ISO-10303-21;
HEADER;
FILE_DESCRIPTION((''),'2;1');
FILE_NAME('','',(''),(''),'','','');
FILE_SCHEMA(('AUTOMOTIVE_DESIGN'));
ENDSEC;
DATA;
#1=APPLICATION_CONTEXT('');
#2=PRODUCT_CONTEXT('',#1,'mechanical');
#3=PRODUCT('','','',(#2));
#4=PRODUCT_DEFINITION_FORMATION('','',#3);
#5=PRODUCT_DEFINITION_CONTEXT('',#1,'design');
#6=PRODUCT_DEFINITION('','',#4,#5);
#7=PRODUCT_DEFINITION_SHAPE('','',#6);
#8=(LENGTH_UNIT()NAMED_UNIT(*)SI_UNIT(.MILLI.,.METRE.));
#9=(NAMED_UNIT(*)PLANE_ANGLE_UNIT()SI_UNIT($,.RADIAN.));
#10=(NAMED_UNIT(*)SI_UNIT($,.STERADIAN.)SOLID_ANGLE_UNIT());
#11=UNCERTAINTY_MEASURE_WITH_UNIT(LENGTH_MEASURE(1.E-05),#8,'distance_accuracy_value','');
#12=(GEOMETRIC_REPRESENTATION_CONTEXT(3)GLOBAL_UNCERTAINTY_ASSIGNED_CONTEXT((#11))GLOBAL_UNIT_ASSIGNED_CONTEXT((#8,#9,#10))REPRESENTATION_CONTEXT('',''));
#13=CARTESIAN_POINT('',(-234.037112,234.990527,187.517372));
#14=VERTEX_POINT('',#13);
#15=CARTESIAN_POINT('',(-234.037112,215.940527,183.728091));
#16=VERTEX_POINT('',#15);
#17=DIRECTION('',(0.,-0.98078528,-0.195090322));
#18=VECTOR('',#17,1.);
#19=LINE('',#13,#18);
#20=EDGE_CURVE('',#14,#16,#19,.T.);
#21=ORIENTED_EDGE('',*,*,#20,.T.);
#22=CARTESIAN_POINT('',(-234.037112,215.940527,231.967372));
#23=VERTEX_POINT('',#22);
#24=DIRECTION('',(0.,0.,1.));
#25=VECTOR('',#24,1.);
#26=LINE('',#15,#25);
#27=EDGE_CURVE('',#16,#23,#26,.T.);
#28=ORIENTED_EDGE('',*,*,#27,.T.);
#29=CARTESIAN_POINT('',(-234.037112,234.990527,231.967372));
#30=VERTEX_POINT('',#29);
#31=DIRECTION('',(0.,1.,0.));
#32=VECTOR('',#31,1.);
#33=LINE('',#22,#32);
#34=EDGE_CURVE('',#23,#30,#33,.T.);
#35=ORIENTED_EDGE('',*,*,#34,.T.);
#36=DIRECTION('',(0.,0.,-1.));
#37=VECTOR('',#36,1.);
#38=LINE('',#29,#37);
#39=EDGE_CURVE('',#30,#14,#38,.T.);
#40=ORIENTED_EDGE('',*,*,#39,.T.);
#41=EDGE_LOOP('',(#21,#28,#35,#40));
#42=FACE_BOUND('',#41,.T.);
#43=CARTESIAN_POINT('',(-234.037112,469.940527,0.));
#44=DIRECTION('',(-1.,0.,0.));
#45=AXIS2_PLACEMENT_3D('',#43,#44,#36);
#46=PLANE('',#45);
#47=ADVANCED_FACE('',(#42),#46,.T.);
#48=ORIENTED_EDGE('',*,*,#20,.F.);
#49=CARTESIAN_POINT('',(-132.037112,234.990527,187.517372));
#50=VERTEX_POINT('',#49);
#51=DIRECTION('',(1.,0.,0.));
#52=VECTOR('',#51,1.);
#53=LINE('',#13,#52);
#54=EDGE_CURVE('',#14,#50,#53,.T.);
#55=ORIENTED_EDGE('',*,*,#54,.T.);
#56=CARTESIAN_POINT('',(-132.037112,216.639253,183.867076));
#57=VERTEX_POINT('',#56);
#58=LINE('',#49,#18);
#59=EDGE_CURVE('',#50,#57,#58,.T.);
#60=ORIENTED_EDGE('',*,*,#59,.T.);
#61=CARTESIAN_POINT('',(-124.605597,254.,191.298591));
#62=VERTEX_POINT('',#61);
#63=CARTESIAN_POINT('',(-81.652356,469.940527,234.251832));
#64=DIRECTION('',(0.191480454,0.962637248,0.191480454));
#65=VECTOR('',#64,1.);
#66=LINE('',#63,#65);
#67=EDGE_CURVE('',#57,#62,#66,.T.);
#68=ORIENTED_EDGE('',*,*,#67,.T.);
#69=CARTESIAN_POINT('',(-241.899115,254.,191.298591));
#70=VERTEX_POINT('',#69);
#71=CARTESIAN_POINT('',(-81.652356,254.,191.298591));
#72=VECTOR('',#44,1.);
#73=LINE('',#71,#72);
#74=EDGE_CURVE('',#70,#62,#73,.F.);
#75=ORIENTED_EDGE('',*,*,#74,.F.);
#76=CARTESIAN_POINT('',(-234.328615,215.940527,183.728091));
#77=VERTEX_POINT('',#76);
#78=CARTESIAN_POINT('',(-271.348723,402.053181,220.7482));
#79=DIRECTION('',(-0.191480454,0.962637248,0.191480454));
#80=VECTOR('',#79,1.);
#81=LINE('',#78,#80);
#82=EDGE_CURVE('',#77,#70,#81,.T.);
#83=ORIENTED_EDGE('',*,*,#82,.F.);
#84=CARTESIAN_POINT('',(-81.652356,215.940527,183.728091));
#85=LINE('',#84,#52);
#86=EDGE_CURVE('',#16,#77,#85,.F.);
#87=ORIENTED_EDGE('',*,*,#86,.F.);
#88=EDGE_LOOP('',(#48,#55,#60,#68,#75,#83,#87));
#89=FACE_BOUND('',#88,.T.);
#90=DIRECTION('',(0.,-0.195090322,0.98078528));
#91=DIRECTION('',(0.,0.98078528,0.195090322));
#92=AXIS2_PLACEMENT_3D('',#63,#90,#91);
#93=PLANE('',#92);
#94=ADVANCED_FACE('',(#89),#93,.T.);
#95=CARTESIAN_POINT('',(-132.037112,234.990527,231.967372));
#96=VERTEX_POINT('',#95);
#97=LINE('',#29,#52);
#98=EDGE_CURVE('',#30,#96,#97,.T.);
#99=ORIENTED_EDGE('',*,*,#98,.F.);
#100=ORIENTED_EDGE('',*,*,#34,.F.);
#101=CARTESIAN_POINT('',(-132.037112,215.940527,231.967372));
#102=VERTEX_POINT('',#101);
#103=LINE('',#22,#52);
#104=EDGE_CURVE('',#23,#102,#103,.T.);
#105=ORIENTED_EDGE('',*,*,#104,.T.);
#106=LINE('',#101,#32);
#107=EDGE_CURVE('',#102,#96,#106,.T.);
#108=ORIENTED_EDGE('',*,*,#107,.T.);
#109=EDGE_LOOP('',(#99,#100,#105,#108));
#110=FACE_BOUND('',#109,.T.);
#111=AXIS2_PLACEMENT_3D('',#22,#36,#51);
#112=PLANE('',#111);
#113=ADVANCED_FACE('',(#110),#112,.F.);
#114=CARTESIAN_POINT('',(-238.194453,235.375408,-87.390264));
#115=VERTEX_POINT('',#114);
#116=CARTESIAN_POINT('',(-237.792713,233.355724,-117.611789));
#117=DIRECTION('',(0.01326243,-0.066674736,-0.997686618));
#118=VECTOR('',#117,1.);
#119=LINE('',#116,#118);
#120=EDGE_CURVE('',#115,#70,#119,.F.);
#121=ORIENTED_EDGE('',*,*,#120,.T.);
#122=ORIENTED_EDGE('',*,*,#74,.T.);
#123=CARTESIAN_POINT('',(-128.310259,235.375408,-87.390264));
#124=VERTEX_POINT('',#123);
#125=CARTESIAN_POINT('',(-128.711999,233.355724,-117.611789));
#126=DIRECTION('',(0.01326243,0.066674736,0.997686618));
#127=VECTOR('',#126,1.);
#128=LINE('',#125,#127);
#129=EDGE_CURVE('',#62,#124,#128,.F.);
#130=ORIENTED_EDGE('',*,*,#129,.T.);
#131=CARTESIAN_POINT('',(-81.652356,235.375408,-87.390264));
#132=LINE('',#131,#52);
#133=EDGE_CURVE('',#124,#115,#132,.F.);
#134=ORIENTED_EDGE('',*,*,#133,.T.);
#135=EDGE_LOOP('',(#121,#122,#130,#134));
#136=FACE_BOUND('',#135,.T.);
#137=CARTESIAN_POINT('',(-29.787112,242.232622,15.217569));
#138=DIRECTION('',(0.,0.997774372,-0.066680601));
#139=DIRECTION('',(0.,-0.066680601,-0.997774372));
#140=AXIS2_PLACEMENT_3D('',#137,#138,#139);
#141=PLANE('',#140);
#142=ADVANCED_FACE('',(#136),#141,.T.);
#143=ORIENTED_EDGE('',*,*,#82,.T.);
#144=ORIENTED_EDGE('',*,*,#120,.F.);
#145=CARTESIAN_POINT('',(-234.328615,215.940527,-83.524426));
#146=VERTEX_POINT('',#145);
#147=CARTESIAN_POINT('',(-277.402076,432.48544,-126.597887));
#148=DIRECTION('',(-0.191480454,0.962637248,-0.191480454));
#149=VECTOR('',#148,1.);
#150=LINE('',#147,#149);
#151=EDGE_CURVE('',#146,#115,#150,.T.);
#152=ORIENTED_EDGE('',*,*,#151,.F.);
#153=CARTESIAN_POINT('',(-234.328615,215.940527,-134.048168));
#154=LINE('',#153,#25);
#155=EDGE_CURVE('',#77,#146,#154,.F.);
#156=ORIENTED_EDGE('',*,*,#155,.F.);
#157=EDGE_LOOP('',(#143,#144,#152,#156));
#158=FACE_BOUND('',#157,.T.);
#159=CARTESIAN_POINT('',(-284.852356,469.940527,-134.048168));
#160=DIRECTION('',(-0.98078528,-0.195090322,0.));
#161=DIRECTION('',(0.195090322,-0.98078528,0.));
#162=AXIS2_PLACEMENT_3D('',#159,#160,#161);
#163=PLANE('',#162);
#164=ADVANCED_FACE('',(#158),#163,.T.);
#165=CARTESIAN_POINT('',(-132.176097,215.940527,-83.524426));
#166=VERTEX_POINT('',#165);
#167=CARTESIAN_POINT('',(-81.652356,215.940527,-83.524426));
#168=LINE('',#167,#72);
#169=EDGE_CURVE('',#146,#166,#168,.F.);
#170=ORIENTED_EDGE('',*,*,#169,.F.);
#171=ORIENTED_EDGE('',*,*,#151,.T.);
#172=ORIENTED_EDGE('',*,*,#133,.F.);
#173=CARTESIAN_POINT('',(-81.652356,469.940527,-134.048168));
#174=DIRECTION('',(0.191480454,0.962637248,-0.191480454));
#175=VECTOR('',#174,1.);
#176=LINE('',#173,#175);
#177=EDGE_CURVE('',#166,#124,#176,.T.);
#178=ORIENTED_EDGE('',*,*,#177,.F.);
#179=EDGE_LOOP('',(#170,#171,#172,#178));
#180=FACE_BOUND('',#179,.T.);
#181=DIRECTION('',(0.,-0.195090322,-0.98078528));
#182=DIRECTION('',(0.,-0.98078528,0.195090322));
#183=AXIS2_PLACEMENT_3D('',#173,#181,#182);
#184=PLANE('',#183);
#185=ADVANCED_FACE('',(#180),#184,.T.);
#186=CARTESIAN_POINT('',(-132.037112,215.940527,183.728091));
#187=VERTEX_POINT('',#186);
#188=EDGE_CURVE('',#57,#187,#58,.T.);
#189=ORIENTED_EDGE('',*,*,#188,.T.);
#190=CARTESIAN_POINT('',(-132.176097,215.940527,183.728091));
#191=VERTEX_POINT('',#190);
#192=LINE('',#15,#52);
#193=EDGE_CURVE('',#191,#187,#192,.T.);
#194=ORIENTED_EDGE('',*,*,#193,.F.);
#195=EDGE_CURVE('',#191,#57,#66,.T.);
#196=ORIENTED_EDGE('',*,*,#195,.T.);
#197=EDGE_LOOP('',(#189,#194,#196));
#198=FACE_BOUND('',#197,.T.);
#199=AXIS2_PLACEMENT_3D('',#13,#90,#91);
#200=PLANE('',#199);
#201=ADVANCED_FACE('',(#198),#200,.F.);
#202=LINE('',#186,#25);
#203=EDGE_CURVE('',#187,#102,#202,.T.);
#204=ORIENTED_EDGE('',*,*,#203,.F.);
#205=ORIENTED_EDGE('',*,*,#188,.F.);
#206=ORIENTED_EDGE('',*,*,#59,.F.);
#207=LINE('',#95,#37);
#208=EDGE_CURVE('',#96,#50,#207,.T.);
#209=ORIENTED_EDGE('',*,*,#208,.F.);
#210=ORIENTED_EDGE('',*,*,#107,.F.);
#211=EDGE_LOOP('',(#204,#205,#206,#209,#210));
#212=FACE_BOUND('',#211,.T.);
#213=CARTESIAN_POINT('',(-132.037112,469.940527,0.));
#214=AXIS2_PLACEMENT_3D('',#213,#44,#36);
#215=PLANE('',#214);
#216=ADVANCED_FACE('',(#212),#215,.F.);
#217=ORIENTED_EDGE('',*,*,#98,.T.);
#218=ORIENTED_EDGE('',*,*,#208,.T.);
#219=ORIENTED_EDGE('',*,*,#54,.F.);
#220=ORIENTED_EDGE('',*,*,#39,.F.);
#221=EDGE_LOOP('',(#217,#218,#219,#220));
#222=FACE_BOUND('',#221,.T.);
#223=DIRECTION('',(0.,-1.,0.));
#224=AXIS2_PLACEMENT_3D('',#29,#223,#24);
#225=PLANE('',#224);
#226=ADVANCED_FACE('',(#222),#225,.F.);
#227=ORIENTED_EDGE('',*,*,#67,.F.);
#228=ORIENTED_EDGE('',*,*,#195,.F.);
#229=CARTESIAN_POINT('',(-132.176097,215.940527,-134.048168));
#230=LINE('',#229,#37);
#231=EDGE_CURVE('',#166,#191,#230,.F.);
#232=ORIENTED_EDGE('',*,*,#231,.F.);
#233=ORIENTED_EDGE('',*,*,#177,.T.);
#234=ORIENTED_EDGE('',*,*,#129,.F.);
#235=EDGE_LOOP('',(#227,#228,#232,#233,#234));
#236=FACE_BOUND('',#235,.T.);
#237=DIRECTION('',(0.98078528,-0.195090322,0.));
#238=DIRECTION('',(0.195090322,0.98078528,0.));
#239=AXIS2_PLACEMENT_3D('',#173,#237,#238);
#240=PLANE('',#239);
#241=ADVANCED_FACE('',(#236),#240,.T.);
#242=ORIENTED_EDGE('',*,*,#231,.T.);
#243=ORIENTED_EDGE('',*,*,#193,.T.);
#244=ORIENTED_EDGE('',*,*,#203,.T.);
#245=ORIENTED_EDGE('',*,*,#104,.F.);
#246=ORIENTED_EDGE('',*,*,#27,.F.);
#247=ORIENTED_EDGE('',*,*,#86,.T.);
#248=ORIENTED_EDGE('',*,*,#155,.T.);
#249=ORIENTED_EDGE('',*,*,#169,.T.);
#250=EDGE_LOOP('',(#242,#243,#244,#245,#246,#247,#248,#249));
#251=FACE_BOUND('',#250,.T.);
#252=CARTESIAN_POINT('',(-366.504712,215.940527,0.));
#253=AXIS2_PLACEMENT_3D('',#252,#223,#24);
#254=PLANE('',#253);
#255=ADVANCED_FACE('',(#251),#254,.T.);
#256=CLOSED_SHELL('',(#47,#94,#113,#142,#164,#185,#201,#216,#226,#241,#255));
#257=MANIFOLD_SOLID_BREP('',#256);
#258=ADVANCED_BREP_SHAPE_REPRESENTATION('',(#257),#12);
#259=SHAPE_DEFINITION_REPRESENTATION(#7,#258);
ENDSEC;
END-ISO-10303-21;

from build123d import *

# Parameters (mm, degrees)
SKETCH1_W             = 203.2
SKETCH1_H             = 368.3
BOSS_EXTRUDE4_DEPTH   = 254
BOSS_EXTRUDE4_TAPER   = 11.25
CUT_EXTRUDE1_DEPTH    = 254
BOSS_EXTRUDE5_START   = -151.75
BOSS_EXTRUDE5_DEPTH   = 102
BODY_MOVE_COPY1_ANGLE = 180


with BuildPart() as part:
    # Sketch1 → Boss-Extrude4 (new body)
    with BuildSketch(Plane(origin=(0, 0, 0), x_dir=(1, 0, 0), z_dir=(0, 1, 0))):
        with Locations((-183.252356021, -50.101832461)):
            Rectangle(SKETCH1_W, SKETCH1_H)
    extrude(amount=BOSS_EXTRUDE4_DEPTH, taper=BOSS_EXTRUDE4_TAPER)

    # Sketch2 → Cut-Extrude1 (cut)
    with BuildSketch(Plane(origin=(-82.7176, 0, 0), x_dir=(0, 0, -1), z_dir=(1, 0, 0))):
        Polygon((-234.106807468, 0), (147.485457697, 0), (93.149429588, 234.95), (-191.90501696, 215.9), align=None)
    extrude(amount=-CUT_EXTRUDE1_DEPTH, mode=Mode.SUBTRACT)


with BuildPart() as cut_extrude1_kept_piece:
    # of the separate pieces the step leaves, the one the design keeps (cut_extrude1_pieces_kept)
    add(part.part.solids().sort_by_distance((-238.194452935, 234.565118806, -87.390264453))[0])

    # Sketch3 → Boss-Extrude5 (add)
    with BuildSketch(Plane(origin=(-82.7176, 0, 0), x_dir=(0, 0, -1), z_dir=(1, 0, 0)).offset(BOSS_EXTRUDE5_START)):
        Polygon((-183.728091146, 254), (-231.967371745, 254), (-231.967371745, 234.95), (-187.517371745, 234.95), align=None)
    extrude(amount=BOSS_EXTRUDE5_DEPTH)


with BuildPart() as cut_extrude1_kept_piece_1:
    # Body-Move/Copy1: moved
    add(cut_extrude1_kept_piece.part.rotate(Axis((-183.252356021, 234.970263522, 0), (0, 0, 1)), BODY_MOVE_COPY1_ANGLE))


solid = cut_extrude1_kept_piece_1.part
